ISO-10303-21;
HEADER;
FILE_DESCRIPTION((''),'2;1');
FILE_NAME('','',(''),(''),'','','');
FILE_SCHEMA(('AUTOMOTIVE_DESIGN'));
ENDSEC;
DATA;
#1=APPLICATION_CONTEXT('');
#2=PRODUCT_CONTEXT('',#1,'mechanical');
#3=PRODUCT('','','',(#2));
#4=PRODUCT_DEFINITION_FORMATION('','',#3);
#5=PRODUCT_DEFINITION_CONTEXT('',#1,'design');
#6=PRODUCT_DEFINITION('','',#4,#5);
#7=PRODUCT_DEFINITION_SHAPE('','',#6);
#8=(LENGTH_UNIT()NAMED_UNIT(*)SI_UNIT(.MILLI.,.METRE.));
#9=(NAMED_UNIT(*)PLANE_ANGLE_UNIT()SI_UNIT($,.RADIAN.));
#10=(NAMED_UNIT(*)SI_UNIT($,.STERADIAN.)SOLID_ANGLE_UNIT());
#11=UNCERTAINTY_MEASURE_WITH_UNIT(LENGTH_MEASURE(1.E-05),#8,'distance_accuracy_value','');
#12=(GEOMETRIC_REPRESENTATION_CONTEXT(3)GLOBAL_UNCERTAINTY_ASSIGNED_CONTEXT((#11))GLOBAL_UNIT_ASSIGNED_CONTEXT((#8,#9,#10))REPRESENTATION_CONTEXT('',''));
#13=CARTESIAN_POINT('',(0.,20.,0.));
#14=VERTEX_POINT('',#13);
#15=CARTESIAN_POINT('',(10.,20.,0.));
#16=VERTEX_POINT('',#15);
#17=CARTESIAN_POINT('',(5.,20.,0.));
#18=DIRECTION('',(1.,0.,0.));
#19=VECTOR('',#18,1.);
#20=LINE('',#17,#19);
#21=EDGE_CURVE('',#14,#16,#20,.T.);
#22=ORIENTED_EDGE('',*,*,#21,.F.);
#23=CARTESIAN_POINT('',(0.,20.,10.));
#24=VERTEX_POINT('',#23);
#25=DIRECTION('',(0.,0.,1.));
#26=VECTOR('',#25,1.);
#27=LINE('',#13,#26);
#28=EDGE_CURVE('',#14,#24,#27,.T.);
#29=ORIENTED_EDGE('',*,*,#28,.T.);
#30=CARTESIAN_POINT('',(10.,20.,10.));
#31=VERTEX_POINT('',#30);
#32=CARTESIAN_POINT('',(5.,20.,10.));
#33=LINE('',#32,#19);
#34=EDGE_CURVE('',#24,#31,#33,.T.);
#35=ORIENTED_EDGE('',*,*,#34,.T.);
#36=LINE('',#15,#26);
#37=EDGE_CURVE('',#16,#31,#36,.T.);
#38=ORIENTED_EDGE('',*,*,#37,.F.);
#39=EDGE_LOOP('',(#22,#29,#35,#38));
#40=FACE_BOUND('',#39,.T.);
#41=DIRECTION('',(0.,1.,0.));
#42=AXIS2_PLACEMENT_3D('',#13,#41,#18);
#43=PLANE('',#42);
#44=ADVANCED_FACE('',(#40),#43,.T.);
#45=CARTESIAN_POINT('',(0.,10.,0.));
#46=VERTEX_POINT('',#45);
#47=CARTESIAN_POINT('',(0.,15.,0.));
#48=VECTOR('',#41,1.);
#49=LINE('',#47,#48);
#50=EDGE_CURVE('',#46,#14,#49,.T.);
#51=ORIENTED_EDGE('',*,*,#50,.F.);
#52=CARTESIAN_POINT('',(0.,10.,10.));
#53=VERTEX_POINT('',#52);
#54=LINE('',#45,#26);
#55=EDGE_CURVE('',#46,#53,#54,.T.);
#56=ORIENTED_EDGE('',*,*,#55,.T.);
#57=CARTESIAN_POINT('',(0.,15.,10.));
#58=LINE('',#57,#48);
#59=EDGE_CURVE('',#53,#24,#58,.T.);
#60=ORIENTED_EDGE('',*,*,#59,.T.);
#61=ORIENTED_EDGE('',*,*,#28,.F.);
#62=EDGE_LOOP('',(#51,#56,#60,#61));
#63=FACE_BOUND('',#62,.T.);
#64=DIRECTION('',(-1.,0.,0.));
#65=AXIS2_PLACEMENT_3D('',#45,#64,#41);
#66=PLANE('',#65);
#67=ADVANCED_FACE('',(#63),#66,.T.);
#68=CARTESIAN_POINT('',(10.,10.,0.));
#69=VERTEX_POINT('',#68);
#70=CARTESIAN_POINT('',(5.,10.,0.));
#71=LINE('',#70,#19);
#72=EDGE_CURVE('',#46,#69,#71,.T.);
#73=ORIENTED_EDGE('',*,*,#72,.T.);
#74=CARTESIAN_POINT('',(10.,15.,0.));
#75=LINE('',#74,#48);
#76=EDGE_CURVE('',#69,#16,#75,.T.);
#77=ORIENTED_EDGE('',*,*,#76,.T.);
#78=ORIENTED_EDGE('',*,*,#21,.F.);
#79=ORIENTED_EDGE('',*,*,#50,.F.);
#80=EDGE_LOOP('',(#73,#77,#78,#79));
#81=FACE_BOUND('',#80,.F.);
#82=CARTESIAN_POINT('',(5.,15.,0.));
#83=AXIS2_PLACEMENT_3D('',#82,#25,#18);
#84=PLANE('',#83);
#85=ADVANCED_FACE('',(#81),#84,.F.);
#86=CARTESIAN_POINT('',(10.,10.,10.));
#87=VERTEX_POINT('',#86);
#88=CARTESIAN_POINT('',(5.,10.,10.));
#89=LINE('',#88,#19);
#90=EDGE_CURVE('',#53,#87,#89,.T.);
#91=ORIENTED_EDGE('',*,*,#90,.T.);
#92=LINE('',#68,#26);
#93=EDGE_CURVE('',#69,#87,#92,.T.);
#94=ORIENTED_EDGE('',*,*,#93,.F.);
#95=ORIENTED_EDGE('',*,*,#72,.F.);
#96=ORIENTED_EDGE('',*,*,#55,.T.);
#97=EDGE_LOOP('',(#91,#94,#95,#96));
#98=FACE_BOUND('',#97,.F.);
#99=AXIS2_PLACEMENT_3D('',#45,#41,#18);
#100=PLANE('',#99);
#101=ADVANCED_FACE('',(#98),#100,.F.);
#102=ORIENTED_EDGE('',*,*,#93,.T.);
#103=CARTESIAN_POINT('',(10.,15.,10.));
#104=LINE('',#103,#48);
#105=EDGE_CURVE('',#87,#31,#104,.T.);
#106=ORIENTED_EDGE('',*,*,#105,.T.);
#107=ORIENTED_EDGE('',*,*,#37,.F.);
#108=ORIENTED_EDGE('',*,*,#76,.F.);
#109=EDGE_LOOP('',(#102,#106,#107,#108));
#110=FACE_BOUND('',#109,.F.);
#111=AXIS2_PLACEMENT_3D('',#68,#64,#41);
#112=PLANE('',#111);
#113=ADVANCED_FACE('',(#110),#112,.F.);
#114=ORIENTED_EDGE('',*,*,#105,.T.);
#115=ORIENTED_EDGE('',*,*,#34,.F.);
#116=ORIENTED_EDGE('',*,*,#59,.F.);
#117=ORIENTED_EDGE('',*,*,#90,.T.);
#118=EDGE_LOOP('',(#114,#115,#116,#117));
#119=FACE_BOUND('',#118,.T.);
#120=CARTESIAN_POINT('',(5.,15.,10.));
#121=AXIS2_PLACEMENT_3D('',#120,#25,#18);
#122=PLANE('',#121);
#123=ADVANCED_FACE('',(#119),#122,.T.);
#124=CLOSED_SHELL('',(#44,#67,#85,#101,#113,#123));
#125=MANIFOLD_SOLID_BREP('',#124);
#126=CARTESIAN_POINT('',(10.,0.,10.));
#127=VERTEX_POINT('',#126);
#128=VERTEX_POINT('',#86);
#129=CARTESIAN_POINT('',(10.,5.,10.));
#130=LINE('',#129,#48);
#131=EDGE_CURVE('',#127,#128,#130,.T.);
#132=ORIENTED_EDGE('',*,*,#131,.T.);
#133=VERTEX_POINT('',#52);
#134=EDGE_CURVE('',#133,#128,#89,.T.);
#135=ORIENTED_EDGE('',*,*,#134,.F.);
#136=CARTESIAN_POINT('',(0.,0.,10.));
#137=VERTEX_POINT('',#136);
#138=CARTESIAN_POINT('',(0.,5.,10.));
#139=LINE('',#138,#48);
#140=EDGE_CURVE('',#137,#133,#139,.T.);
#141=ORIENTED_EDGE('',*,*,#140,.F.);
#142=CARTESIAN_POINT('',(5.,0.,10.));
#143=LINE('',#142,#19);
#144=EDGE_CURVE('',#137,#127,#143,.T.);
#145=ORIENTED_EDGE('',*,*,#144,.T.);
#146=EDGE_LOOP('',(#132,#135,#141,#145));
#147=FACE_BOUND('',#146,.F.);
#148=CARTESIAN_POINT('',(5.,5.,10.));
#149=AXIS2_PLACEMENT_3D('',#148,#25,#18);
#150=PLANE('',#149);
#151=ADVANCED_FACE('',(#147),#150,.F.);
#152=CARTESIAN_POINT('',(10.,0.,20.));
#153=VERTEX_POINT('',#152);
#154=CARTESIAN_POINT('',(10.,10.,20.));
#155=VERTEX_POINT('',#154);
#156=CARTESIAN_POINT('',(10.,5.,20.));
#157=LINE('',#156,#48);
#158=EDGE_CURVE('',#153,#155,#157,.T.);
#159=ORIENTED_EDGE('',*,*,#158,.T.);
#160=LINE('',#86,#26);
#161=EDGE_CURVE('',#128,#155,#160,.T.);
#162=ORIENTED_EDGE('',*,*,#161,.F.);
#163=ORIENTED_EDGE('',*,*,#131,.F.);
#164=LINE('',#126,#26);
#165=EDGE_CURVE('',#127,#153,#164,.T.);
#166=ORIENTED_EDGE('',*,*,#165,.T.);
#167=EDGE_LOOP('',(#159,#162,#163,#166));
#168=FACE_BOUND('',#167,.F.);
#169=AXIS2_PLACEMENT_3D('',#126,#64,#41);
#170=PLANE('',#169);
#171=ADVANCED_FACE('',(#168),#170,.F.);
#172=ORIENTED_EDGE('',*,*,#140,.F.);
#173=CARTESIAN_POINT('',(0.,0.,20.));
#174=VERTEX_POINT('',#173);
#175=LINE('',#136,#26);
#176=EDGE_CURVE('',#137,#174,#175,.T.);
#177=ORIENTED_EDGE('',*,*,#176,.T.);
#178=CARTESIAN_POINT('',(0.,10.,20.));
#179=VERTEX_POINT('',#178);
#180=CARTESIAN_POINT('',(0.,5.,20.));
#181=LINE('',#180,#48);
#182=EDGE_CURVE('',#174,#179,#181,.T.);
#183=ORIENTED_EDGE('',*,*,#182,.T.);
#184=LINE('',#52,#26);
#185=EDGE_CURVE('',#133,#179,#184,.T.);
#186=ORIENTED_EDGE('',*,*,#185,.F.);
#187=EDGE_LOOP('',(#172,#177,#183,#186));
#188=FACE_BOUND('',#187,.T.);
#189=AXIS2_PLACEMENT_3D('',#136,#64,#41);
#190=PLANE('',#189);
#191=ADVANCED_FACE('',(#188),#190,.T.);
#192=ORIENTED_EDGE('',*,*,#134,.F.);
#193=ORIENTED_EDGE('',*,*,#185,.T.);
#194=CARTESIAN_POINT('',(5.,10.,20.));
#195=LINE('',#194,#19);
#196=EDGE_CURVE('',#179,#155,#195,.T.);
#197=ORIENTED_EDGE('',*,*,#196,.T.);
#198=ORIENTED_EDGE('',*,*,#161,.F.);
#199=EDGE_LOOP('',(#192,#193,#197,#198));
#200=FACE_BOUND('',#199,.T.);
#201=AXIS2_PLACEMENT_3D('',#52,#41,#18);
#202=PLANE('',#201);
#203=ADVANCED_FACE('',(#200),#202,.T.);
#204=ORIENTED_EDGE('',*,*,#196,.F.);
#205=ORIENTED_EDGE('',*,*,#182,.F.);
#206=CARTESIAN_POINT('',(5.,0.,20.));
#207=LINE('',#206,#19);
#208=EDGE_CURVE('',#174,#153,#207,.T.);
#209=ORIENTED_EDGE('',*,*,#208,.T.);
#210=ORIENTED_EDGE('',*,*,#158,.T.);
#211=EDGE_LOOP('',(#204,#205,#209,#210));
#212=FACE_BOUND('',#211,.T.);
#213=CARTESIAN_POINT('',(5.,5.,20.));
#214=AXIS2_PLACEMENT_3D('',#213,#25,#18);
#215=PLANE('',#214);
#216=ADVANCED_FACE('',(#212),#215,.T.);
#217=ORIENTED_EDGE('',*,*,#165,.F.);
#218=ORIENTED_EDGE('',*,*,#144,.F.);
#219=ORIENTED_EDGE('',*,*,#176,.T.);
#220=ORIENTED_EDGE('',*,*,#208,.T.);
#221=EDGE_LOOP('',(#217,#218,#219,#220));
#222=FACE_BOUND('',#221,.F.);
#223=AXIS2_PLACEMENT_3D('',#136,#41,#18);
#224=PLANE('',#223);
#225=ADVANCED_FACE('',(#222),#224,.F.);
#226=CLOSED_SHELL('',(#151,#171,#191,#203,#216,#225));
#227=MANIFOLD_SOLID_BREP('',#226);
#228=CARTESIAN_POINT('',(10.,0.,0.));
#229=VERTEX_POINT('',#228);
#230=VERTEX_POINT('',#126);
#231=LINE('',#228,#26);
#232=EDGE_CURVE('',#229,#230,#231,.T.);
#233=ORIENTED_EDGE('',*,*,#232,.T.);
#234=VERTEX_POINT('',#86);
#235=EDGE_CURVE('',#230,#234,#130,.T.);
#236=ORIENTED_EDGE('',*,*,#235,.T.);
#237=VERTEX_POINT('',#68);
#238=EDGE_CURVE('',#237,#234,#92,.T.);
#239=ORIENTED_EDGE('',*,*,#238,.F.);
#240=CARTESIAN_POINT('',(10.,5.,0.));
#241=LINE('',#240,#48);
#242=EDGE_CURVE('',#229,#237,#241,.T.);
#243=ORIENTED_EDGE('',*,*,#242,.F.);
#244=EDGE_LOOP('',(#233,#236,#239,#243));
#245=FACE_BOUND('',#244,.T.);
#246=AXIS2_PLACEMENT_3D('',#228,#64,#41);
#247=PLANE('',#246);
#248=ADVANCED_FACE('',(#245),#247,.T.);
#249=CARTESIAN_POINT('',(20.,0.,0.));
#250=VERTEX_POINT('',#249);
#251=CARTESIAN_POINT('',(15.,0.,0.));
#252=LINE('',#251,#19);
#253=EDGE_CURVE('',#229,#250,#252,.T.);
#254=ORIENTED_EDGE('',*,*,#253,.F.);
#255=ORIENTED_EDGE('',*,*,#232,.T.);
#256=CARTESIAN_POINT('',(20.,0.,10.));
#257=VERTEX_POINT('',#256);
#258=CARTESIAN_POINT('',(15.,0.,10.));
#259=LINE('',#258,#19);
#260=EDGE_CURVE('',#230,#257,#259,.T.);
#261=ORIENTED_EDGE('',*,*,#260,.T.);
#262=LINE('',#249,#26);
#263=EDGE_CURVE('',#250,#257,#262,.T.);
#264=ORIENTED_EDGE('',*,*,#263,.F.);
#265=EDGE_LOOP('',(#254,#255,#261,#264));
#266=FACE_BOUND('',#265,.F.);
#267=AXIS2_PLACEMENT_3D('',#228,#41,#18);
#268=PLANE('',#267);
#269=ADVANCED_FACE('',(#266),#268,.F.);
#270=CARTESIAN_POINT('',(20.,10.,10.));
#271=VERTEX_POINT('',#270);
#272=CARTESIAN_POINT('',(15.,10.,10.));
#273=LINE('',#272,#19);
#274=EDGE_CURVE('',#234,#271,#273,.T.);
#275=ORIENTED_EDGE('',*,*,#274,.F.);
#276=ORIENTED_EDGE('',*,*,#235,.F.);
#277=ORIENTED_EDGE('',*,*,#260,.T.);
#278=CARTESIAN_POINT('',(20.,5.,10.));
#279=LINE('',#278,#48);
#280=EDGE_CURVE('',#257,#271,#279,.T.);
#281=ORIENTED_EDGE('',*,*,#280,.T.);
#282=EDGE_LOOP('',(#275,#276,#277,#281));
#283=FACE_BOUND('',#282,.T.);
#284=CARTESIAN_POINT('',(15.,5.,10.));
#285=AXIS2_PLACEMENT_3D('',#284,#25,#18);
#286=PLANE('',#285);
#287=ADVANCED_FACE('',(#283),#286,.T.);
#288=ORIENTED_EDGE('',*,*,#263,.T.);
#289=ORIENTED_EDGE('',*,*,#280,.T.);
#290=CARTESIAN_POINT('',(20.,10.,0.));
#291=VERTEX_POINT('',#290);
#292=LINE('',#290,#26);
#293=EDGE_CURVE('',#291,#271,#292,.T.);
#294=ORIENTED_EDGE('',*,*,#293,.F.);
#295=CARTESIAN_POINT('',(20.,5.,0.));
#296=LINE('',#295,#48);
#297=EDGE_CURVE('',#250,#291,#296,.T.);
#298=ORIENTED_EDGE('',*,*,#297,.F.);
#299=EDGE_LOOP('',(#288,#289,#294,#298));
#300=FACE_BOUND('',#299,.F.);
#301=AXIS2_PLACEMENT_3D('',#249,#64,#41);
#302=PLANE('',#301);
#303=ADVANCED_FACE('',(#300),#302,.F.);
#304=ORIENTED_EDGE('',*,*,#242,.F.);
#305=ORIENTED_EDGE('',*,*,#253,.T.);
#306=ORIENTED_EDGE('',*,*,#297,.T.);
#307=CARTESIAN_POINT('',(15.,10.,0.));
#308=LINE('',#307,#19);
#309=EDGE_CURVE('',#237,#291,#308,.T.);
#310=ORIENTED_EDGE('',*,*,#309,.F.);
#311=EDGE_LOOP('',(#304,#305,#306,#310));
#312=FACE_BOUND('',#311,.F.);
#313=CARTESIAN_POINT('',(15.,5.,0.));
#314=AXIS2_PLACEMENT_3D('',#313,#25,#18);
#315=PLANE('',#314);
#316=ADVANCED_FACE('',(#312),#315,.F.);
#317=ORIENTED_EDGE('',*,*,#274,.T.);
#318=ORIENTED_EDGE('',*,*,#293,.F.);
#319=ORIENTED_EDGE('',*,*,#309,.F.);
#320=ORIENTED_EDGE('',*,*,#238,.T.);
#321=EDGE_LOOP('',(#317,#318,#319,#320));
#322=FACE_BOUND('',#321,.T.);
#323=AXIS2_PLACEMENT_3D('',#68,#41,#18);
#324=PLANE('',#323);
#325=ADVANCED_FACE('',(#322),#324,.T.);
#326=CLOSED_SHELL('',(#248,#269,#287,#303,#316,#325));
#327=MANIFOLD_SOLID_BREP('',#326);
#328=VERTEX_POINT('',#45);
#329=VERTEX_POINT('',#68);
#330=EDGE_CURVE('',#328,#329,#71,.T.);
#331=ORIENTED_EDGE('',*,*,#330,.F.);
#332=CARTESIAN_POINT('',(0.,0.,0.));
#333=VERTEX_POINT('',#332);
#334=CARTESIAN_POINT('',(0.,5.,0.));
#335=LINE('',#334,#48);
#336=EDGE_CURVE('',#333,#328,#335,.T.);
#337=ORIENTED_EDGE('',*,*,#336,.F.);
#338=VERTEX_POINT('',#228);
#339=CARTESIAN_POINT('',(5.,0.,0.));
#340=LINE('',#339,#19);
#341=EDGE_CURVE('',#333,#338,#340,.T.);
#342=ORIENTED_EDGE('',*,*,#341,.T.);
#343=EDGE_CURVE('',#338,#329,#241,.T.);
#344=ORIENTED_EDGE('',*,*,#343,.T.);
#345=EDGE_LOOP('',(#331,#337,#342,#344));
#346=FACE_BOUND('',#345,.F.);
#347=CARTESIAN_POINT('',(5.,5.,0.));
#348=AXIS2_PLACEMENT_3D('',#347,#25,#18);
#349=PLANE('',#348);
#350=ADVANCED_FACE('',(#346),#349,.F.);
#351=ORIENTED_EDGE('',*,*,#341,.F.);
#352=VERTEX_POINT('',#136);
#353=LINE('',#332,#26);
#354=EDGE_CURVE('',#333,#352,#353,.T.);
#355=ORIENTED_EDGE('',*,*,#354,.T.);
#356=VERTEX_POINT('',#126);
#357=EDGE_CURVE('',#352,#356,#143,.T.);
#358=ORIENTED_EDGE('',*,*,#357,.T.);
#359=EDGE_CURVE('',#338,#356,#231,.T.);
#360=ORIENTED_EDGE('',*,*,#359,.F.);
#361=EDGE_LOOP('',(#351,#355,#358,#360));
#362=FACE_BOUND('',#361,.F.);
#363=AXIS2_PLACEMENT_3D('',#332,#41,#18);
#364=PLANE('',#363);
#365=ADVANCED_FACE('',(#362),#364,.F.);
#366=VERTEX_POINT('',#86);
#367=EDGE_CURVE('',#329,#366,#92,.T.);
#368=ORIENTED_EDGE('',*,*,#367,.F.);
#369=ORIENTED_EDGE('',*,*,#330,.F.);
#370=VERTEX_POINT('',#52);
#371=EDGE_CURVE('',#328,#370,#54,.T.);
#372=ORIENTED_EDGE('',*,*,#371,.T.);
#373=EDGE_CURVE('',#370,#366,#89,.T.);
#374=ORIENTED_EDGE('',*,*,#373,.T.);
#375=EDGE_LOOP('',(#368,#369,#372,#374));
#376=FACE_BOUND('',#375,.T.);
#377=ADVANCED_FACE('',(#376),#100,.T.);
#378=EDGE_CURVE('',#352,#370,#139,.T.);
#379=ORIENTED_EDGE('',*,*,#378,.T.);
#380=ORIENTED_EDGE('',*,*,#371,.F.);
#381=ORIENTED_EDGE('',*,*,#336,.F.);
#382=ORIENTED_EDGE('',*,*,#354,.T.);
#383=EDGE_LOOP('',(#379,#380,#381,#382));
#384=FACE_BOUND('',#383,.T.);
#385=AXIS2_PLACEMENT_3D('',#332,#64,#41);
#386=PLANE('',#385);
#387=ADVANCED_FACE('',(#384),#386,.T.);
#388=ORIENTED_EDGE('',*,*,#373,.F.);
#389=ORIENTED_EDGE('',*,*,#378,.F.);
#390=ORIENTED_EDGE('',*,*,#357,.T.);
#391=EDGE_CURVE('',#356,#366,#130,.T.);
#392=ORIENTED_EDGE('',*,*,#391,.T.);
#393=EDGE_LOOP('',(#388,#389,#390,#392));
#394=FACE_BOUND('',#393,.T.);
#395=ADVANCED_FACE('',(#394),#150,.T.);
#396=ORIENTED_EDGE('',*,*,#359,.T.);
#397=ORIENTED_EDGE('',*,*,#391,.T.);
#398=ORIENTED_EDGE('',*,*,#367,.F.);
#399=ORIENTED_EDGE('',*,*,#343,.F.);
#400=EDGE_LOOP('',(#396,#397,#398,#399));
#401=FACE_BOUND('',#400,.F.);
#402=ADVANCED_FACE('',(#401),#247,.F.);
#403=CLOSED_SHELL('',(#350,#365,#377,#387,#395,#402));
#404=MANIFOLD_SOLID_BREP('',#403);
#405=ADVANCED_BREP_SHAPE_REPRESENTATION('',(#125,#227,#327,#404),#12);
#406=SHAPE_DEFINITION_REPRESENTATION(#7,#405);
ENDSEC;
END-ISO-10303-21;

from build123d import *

# Parameters (mm, degrees)
BOX_W        = 10
BOX_H        = 10
BOX_DEPTH    = 10
BOX001_W     = 10
BOX001_H     = 10
BOX001_DEPTH = 10
BOX002_W     = 10
BOX002_H     = 10
BOX002_DEPTH = 10
BOX003_W     = 10
BOX003_H     = 10
BOX003_DEPTH = 10


with BuildPart() as nivel1_cubo1:
    # Box → Box (new body)
    with BuildSketch(Plane.XY):
        with Locations((5, 5)):
            Rectangle(BOX_W, BOX_H)
    extrude(amount=BOX_DEPTH)


with BuildPart() as nivel2_cubo1:
    # Box001 → Box001 (new body)
    with BuildSketch(Plane(origin=(10, 0, 0), x_dir=(1, 0, 0), z_dir=(0, 0, 1))):
        with Locations((5, 5)):
            Rectangle(BOX001_W, BOX001_H)
    extrude(amount=BOX001_DEPTH)


with BuildPart() as nivel2_cubo2:
    # Box002 → Box002 (new body)
    with BuildSketch(Plane(origin=(0, 10, 0), x_dir=(1, 0, 0), z_dir=(0, 0, 1))):
        with Locations((5, 5)):
            Rectangle(BOX002_W, BOX002_H)
    extrude(amount=BOX002_DEPTH)


with BuildPart() as cub:
    # Box003 → Box003 (new body)
    with BuildSketch(Plane.XY.offset(10)):
        with Locations((5, 5)):
            Rectangle(BOX003_W, BOX003_H)
    extrude(amount=BOX003_DEPTH)


solid = Compound([nivel1_cubo1.part, nivel2_cubo1.part, nivel2_cubo2.part, cub.part])
